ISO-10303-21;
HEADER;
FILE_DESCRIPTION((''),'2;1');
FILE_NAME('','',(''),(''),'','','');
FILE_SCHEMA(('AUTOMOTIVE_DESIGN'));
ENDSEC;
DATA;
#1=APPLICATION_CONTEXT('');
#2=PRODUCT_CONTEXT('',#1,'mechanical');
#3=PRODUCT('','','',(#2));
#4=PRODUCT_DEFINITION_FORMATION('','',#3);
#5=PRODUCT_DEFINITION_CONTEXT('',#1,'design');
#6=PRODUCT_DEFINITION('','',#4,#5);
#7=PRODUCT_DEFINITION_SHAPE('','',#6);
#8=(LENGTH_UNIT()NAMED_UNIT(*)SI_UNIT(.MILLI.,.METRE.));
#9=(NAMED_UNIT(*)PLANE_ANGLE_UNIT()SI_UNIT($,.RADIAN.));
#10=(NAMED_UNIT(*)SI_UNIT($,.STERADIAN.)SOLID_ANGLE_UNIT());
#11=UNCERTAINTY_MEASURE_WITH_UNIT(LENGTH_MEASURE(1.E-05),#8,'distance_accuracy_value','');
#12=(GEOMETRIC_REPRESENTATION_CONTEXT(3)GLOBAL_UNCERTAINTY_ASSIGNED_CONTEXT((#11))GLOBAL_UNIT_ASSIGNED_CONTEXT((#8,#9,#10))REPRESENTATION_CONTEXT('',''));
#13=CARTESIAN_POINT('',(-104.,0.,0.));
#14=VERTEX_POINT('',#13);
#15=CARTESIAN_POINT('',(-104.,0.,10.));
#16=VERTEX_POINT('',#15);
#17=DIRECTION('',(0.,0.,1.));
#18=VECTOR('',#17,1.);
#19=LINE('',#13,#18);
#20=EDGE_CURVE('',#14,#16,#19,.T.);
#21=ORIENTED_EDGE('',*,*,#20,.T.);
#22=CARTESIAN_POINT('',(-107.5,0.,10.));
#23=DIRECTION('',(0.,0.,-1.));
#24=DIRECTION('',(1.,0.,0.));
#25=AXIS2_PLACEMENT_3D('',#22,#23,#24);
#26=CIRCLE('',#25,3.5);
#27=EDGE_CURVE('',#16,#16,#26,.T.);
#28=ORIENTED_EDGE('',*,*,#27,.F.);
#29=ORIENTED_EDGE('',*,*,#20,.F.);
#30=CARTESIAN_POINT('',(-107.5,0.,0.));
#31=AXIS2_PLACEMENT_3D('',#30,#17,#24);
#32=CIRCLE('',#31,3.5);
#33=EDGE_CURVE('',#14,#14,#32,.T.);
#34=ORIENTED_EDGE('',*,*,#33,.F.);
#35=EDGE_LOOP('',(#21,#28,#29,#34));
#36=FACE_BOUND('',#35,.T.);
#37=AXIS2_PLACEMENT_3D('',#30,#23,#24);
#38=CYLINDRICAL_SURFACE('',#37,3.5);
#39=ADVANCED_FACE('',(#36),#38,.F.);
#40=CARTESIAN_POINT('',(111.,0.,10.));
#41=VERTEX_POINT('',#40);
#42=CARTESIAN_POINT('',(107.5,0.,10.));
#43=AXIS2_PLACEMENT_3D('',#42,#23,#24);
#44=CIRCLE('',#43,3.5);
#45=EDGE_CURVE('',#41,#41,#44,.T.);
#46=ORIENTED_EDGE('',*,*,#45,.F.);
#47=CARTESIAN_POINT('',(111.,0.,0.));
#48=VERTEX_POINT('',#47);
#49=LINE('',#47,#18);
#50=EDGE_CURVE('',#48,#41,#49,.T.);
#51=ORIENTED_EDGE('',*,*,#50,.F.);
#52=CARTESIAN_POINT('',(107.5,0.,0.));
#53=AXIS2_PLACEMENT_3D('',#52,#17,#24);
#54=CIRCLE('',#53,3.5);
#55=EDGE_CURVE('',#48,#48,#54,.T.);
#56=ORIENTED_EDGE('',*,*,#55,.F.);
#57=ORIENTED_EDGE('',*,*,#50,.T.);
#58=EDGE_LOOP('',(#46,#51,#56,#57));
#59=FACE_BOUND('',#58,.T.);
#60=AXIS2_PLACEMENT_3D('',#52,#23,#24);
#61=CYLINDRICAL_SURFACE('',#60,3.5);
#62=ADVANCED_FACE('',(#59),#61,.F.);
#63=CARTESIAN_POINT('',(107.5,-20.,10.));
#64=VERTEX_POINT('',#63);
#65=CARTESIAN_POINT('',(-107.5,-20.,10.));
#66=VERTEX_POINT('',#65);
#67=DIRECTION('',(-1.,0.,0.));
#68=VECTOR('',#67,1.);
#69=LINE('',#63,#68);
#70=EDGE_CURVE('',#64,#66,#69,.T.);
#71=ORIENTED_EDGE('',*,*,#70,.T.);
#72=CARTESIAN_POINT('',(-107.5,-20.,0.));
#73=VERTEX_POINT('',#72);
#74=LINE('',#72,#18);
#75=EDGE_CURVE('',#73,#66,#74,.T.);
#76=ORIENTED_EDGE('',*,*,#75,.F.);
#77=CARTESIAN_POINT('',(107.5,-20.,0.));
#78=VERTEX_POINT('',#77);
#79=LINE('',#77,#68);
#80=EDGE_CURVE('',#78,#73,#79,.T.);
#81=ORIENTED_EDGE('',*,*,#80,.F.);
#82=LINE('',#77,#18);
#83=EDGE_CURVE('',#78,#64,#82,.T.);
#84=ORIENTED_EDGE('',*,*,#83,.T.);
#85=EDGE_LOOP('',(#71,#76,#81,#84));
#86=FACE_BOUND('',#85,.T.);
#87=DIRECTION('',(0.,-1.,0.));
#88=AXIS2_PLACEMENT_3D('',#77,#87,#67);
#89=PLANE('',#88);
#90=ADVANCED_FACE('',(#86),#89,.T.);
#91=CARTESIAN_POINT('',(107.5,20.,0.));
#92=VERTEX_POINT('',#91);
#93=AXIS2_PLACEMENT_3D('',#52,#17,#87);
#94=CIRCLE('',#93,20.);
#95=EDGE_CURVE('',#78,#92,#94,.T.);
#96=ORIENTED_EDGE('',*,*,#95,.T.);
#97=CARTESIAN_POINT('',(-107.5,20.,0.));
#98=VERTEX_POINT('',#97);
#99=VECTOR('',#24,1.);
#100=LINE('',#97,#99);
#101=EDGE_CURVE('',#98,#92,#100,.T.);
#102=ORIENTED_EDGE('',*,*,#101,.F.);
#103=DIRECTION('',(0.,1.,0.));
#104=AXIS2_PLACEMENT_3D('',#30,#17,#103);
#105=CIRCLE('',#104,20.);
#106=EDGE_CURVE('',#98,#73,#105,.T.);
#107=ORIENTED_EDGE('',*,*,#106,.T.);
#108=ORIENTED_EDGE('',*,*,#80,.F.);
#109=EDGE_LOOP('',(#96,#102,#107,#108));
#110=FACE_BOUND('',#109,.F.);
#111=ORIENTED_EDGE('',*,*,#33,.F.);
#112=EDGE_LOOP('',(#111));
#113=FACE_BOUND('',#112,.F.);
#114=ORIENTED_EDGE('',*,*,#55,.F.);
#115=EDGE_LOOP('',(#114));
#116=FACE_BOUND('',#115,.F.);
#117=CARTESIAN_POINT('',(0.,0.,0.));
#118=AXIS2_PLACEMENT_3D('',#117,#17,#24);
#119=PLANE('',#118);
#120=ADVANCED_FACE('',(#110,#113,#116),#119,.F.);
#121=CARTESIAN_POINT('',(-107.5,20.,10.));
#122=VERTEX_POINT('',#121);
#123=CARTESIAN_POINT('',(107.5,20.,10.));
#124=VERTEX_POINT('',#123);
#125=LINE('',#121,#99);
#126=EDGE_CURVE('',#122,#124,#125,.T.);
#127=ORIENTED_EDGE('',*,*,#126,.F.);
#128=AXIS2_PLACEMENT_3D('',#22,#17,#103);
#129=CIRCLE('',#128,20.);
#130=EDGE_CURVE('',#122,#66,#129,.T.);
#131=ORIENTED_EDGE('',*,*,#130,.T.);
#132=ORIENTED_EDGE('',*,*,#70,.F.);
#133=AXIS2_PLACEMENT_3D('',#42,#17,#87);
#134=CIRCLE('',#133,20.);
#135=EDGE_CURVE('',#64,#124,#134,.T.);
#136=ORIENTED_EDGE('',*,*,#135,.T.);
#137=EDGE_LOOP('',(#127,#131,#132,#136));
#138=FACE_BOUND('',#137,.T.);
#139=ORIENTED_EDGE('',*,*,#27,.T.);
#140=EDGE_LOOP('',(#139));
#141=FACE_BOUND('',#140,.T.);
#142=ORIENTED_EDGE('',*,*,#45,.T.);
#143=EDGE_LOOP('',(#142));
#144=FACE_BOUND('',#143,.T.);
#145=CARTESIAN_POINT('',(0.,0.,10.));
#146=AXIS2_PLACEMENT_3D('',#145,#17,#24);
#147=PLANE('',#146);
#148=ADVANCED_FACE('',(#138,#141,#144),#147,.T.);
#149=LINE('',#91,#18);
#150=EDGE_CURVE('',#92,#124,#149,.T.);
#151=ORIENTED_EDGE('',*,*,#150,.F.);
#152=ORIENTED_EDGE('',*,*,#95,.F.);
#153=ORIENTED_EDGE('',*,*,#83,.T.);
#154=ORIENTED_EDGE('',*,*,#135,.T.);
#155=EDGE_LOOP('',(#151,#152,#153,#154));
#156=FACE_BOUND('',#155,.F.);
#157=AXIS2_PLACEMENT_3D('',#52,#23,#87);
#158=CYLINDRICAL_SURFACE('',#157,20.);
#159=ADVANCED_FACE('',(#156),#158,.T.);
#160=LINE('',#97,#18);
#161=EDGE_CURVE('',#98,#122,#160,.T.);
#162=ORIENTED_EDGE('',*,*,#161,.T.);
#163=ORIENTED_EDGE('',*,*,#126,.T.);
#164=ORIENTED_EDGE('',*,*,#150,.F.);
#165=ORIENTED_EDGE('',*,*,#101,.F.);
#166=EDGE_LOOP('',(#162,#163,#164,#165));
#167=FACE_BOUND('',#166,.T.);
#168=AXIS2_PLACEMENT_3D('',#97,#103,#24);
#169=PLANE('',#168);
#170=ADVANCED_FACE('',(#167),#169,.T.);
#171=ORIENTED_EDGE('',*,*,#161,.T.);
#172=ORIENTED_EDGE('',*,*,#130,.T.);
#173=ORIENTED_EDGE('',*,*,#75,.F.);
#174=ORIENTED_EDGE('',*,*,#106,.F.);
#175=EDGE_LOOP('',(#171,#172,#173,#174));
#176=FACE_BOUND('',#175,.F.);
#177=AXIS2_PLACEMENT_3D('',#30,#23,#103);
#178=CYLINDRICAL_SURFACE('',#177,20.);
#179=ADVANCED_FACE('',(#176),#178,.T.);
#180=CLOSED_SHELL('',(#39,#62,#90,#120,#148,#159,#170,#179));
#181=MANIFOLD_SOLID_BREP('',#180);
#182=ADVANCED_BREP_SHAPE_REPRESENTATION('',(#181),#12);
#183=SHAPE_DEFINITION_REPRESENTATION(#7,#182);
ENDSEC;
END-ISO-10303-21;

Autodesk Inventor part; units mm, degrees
ref_plane "YZ Plane" through (0, 0, 0) normal (1, 0, 0) x (0, 1, 0)
ref_plane "XZ Plane" through (0, 0, 0) normal (0, 1, 0) x (-1, 0, 0)
ref_plane "XY Plane" through (0, 0, 0) normal (0, 0, 1) x (1, 0, 0)
sketch "Sketch1" plane through (0, 0, 0) normal (0, 0, 1) x (1, 0, 0)
  line L0 (107.5, -20) -> (-107.5, -20)
  line L1 (-107.5, -20) -> (-107.5, 20)
  line L2 (-107.5, 20) -> (107.5, 20)
  line L3 (107.5, 20) -> (107.5, -20)
  line L4 (107.5, -20) -> (-107.5, 20) construction
  line L5 (-107.5, -20) -> (107.5, 20) construction
  arc A0 (-107.5, 20) -> (-107.5, -20) centre (-107.5, 0) ccw
  arc A1 (107.5, -20) -> (107.5, 20) centre (107.5, 0) ccw
  circle A2 centre (-107.5, 0) radius 3.5
  circle A3 centre (107.5, 0) radius 3.5
  point P0 (0, 0)
  dimension "d0" = 215
  dimension "d1" = 40
  dimension "d4" = 7
  dimension "d5" = 7
extrude "Extrusion1" add sketch "Sketch1" along normal blind 10 contours L0 L1 A2 L2 L3 A3 | L3 A3 A1 | A0 L1 A2
properties part number "Eslabon" material "Acetal Resin, White"
